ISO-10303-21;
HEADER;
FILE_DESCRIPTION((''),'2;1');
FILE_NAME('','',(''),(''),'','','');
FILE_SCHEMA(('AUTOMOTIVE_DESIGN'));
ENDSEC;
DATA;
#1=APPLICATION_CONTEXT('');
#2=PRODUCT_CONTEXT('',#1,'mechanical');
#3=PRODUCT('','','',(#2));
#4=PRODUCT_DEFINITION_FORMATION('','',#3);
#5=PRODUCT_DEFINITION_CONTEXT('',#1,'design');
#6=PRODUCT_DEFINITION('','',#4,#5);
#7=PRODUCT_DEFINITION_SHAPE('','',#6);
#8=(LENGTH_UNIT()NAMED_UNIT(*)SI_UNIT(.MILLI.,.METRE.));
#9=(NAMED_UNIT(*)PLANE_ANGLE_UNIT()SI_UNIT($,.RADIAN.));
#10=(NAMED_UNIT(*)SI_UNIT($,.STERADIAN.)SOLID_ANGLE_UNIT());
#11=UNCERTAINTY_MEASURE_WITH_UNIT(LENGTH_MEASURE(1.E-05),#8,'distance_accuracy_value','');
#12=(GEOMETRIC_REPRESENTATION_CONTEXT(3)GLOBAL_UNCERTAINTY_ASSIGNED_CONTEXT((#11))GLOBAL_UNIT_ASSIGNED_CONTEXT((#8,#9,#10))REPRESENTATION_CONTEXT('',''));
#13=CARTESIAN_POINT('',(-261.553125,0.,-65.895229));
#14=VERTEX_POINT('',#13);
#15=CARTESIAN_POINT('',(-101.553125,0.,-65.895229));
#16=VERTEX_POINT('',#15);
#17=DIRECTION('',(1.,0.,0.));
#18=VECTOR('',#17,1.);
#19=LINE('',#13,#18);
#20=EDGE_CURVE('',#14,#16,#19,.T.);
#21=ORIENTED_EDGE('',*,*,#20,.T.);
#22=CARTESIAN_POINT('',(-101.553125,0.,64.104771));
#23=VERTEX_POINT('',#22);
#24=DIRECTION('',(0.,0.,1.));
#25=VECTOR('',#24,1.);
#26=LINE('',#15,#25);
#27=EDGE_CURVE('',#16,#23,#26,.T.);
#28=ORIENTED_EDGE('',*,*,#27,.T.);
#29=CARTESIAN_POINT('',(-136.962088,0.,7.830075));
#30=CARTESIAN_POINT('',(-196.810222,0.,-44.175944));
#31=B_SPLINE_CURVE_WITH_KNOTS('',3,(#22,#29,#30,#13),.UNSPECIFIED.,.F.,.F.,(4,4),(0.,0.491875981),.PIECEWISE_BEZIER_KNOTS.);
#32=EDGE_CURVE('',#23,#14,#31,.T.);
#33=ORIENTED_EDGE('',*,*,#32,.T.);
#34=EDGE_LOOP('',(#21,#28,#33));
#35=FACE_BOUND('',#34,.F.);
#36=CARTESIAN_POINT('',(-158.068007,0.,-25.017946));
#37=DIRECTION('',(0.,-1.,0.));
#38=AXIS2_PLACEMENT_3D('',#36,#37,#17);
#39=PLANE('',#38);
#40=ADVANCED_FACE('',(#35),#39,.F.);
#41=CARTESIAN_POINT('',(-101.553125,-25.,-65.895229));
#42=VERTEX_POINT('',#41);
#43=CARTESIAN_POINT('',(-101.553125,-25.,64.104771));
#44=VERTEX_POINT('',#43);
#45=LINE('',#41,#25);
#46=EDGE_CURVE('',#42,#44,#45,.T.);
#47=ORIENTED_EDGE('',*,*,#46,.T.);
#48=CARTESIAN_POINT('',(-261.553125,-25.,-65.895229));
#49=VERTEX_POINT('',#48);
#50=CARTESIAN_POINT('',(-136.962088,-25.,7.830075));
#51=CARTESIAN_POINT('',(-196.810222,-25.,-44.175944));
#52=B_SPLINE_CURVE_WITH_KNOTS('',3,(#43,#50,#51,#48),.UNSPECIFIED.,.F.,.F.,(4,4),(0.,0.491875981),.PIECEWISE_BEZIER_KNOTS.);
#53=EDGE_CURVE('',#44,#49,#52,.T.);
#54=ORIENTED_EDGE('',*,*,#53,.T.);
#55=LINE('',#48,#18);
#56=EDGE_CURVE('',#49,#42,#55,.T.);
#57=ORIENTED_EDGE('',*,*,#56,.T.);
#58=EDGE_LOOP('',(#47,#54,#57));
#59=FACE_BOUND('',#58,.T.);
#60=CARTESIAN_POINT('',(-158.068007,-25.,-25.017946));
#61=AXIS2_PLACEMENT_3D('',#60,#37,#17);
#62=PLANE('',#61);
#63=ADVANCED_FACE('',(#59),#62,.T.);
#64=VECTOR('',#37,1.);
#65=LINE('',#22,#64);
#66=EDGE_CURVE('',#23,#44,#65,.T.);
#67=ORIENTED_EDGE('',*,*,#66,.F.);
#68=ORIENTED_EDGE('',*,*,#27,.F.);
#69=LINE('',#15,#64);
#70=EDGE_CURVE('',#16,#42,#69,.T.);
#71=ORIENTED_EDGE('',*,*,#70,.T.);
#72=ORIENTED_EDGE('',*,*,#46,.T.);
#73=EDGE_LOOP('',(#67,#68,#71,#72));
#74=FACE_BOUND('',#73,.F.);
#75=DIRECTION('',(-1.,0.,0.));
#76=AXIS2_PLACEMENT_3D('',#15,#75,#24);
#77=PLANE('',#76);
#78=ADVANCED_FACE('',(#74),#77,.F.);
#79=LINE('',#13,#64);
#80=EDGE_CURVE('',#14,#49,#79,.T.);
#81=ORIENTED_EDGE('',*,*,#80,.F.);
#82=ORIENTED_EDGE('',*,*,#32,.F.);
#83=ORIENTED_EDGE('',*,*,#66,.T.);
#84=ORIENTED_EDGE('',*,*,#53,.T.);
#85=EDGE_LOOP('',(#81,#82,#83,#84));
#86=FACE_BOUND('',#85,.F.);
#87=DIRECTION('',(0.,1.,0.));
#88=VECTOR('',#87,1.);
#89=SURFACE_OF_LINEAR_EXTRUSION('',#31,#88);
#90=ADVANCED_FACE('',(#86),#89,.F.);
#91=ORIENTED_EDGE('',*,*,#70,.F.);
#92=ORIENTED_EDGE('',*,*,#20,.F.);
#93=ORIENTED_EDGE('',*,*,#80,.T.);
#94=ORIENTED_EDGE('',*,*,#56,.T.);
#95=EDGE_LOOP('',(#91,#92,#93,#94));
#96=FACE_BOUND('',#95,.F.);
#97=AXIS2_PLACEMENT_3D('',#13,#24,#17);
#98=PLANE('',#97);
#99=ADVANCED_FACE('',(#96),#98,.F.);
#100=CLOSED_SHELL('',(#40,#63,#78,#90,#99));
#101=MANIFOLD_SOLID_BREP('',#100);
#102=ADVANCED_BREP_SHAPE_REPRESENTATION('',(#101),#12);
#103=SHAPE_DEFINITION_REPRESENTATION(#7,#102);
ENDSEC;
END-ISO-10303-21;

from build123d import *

# Parameters (mm, degrees)
F1_DEPTH = 25


with BuildPart() as f1:
    # F0 (on Front) → F1 (new body)
    with BuildSketch(Plane.XZ):
        with BuildLine():
            Line((-101.5531253469, -65.8952290092), (-101.5531253469, 64.1047709908))
            add(Edge.make_bspline(
                [(-101.5531253469, 64.1047709908), (-136.9620883326, 7.8300750326), (-196.8102218813, -44.1759444954), (-261.5531253469, -65.8952290092)],
                knots=[0, 0, 0, 0, 0.4918759814, 0.4918759814, 0.4918759814, 0.4918759814], degree=3))
            Line((-261.5531253469, -65.8952290092), (-101.5531253469, -65.8952290092))
        make_face()
    extrude(amount=F1_DEPTH)


solid = f1.part
